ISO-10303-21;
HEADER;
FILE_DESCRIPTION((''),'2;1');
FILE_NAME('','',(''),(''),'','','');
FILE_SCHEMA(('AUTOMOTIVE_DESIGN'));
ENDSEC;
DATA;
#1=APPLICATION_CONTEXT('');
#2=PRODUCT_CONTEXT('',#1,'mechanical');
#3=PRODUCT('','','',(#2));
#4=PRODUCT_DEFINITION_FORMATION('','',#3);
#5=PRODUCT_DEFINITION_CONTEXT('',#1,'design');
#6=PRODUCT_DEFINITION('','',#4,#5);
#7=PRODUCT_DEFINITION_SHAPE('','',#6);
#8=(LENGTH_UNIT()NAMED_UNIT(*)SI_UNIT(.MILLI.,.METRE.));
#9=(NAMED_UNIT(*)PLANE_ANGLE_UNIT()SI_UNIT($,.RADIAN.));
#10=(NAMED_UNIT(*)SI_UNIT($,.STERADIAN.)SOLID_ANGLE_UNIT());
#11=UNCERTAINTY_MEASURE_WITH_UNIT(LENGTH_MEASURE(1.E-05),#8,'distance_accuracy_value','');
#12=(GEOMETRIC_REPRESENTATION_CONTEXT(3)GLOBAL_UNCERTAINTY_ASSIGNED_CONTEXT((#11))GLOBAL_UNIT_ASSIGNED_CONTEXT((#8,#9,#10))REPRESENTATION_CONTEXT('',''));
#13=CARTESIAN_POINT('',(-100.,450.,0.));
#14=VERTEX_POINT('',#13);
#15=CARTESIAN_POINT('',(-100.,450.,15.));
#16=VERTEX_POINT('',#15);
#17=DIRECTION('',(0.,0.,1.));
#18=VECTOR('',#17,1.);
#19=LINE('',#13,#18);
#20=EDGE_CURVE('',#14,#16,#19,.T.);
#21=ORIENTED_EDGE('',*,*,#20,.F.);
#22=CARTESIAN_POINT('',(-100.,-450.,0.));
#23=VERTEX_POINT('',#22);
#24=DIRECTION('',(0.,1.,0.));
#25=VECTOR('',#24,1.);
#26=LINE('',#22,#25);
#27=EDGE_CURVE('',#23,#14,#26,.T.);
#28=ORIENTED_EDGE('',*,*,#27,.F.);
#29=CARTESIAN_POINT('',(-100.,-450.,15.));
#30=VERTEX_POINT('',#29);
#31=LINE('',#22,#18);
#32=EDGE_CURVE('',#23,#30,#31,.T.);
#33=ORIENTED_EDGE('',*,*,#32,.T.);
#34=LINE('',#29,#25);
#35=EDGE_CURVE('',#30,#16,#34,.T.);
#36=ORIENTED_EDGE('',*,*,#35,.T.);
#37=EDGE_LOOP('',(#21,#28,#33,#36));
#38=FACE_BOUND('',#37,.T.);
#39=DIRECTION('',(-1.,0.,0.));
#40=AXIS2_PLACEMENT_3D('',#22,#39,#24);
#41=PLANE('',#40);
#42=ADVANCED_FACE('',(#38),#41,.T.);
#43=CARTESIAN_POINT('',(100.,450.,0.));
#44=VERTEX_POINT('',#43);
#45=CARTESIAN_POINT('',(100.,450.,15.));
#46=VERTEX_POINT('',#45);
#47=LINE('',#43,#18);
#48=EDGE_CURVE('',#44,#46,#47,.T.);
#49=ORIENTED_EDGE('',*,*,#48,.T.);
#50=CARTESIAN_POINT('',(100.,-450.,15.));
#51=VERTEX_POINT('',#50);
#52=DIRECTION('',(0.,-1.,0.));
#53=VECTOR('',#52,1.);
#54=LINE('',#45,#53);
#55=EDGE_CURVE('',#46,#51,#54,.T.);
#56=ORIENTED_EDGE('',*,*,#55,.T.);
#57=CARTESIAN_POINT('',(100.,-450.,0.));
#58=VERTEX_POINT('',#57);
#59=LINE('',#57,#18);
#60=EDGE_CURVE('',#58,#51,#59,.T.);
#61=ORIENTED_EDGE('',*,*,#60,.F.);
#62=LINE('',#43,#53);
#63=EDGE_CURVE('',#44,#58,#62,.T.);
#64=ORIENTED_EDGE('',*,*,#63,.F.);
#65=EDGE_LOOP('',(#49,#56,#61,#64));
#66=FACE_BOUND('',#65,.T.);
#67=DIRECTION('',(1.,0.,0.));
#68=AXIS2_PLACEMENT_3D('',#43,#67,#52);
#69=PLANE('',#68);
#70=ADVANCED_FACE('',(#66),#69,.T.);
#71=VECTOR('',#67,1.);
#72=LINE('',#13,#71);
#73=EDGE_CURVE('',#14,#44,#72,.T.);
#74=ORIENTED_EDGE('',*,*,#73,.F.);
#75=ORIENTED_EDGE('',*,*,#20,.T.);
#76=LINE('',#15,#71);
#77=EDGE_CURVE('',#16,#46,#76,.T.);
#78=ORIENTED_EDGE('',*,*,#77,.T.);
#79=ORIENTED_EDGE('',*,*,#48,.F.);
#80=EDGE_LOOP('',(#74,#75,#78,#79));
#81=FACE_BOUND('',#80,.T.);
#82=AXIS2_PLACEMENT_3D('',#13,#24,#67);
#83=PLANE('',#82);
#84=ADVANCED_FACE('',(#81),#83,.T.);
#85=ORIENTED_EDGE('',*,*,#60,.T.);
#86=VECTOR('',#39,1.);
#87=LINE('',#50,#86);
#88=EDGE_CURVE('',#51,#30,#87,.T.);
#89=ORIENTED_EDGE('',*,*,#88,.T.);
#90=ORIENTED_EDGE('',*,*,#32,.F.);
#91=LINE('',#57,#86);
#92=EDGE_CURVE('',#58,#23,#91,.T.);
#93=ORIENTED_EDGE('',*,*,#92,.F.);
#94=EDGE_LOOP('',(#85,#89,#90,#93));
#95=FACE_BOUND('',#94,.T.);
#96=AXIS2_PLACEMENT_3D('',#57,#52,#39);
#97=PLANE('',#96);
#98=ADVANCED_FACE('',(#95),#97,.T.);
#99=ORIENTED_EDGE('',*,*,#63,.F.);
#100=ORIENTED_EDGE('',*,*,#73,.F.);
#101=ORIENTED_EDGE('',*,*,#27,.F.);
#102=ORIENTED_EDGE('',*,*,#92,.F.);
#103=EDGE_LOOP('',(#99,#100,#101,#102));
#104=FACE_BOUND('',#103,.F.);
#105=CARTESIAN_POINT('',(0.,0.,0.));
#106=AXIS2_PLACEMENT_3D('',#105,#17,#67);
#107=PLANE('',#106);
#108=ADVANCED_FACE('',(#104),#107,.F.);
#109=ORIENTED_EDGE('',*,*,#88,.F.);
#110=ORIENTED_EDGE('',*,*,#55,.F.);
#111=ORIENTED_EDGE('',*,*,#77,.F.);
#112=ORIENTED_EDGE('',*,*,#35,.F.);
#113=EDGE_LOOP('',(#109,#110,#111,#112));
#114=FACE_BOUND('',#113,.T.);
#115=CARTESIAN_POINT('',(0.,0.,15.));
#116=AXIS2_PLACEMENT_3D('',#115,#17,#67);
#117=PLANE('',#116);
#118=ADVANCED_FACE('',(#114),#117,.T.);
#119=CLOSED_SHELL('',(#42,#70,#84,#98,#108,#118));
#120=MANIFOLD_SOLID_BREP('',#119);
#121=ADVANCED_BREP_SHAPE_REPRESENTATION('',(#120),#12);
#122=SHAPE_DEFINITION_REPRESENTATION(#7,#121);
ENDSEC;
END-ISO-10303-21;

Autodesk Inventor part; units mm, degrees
ref_plane "YZ Plane" through (0, 0, 0) normal (1, 0, 0) x (0, 1, 0)
ref_plane "XZ Plane" through (0, 0, 0) normal (0, 1, 0) x (-1, 0, 0)
ref_plane "XY Plane" through (0, 0, 0) normal (0, 0, 1) x (1, 0, 0)
sketch "Sketch1" plane through (0, 0, 0) normal (0, 0, 1) x (1, 0, 0)
  line L0 (-100, 450) -> (100, 450)
  line L1 (100, 450) -> (100, -450)
  line L2 (100, -450) -> (-100, -450)
  line L3 (-100, -450) -> (-100, 450)
  line L4 (-100, 450) -> (100, -450) construction
  point P0 (0, 0)
  point P1 (0, 0)
  dimension "d0" = 900
  dimension "d1" = 200
extrude "Extrusion1" add sketch "Sketch1" along normal blind 15
properties part number "Base_wood"
